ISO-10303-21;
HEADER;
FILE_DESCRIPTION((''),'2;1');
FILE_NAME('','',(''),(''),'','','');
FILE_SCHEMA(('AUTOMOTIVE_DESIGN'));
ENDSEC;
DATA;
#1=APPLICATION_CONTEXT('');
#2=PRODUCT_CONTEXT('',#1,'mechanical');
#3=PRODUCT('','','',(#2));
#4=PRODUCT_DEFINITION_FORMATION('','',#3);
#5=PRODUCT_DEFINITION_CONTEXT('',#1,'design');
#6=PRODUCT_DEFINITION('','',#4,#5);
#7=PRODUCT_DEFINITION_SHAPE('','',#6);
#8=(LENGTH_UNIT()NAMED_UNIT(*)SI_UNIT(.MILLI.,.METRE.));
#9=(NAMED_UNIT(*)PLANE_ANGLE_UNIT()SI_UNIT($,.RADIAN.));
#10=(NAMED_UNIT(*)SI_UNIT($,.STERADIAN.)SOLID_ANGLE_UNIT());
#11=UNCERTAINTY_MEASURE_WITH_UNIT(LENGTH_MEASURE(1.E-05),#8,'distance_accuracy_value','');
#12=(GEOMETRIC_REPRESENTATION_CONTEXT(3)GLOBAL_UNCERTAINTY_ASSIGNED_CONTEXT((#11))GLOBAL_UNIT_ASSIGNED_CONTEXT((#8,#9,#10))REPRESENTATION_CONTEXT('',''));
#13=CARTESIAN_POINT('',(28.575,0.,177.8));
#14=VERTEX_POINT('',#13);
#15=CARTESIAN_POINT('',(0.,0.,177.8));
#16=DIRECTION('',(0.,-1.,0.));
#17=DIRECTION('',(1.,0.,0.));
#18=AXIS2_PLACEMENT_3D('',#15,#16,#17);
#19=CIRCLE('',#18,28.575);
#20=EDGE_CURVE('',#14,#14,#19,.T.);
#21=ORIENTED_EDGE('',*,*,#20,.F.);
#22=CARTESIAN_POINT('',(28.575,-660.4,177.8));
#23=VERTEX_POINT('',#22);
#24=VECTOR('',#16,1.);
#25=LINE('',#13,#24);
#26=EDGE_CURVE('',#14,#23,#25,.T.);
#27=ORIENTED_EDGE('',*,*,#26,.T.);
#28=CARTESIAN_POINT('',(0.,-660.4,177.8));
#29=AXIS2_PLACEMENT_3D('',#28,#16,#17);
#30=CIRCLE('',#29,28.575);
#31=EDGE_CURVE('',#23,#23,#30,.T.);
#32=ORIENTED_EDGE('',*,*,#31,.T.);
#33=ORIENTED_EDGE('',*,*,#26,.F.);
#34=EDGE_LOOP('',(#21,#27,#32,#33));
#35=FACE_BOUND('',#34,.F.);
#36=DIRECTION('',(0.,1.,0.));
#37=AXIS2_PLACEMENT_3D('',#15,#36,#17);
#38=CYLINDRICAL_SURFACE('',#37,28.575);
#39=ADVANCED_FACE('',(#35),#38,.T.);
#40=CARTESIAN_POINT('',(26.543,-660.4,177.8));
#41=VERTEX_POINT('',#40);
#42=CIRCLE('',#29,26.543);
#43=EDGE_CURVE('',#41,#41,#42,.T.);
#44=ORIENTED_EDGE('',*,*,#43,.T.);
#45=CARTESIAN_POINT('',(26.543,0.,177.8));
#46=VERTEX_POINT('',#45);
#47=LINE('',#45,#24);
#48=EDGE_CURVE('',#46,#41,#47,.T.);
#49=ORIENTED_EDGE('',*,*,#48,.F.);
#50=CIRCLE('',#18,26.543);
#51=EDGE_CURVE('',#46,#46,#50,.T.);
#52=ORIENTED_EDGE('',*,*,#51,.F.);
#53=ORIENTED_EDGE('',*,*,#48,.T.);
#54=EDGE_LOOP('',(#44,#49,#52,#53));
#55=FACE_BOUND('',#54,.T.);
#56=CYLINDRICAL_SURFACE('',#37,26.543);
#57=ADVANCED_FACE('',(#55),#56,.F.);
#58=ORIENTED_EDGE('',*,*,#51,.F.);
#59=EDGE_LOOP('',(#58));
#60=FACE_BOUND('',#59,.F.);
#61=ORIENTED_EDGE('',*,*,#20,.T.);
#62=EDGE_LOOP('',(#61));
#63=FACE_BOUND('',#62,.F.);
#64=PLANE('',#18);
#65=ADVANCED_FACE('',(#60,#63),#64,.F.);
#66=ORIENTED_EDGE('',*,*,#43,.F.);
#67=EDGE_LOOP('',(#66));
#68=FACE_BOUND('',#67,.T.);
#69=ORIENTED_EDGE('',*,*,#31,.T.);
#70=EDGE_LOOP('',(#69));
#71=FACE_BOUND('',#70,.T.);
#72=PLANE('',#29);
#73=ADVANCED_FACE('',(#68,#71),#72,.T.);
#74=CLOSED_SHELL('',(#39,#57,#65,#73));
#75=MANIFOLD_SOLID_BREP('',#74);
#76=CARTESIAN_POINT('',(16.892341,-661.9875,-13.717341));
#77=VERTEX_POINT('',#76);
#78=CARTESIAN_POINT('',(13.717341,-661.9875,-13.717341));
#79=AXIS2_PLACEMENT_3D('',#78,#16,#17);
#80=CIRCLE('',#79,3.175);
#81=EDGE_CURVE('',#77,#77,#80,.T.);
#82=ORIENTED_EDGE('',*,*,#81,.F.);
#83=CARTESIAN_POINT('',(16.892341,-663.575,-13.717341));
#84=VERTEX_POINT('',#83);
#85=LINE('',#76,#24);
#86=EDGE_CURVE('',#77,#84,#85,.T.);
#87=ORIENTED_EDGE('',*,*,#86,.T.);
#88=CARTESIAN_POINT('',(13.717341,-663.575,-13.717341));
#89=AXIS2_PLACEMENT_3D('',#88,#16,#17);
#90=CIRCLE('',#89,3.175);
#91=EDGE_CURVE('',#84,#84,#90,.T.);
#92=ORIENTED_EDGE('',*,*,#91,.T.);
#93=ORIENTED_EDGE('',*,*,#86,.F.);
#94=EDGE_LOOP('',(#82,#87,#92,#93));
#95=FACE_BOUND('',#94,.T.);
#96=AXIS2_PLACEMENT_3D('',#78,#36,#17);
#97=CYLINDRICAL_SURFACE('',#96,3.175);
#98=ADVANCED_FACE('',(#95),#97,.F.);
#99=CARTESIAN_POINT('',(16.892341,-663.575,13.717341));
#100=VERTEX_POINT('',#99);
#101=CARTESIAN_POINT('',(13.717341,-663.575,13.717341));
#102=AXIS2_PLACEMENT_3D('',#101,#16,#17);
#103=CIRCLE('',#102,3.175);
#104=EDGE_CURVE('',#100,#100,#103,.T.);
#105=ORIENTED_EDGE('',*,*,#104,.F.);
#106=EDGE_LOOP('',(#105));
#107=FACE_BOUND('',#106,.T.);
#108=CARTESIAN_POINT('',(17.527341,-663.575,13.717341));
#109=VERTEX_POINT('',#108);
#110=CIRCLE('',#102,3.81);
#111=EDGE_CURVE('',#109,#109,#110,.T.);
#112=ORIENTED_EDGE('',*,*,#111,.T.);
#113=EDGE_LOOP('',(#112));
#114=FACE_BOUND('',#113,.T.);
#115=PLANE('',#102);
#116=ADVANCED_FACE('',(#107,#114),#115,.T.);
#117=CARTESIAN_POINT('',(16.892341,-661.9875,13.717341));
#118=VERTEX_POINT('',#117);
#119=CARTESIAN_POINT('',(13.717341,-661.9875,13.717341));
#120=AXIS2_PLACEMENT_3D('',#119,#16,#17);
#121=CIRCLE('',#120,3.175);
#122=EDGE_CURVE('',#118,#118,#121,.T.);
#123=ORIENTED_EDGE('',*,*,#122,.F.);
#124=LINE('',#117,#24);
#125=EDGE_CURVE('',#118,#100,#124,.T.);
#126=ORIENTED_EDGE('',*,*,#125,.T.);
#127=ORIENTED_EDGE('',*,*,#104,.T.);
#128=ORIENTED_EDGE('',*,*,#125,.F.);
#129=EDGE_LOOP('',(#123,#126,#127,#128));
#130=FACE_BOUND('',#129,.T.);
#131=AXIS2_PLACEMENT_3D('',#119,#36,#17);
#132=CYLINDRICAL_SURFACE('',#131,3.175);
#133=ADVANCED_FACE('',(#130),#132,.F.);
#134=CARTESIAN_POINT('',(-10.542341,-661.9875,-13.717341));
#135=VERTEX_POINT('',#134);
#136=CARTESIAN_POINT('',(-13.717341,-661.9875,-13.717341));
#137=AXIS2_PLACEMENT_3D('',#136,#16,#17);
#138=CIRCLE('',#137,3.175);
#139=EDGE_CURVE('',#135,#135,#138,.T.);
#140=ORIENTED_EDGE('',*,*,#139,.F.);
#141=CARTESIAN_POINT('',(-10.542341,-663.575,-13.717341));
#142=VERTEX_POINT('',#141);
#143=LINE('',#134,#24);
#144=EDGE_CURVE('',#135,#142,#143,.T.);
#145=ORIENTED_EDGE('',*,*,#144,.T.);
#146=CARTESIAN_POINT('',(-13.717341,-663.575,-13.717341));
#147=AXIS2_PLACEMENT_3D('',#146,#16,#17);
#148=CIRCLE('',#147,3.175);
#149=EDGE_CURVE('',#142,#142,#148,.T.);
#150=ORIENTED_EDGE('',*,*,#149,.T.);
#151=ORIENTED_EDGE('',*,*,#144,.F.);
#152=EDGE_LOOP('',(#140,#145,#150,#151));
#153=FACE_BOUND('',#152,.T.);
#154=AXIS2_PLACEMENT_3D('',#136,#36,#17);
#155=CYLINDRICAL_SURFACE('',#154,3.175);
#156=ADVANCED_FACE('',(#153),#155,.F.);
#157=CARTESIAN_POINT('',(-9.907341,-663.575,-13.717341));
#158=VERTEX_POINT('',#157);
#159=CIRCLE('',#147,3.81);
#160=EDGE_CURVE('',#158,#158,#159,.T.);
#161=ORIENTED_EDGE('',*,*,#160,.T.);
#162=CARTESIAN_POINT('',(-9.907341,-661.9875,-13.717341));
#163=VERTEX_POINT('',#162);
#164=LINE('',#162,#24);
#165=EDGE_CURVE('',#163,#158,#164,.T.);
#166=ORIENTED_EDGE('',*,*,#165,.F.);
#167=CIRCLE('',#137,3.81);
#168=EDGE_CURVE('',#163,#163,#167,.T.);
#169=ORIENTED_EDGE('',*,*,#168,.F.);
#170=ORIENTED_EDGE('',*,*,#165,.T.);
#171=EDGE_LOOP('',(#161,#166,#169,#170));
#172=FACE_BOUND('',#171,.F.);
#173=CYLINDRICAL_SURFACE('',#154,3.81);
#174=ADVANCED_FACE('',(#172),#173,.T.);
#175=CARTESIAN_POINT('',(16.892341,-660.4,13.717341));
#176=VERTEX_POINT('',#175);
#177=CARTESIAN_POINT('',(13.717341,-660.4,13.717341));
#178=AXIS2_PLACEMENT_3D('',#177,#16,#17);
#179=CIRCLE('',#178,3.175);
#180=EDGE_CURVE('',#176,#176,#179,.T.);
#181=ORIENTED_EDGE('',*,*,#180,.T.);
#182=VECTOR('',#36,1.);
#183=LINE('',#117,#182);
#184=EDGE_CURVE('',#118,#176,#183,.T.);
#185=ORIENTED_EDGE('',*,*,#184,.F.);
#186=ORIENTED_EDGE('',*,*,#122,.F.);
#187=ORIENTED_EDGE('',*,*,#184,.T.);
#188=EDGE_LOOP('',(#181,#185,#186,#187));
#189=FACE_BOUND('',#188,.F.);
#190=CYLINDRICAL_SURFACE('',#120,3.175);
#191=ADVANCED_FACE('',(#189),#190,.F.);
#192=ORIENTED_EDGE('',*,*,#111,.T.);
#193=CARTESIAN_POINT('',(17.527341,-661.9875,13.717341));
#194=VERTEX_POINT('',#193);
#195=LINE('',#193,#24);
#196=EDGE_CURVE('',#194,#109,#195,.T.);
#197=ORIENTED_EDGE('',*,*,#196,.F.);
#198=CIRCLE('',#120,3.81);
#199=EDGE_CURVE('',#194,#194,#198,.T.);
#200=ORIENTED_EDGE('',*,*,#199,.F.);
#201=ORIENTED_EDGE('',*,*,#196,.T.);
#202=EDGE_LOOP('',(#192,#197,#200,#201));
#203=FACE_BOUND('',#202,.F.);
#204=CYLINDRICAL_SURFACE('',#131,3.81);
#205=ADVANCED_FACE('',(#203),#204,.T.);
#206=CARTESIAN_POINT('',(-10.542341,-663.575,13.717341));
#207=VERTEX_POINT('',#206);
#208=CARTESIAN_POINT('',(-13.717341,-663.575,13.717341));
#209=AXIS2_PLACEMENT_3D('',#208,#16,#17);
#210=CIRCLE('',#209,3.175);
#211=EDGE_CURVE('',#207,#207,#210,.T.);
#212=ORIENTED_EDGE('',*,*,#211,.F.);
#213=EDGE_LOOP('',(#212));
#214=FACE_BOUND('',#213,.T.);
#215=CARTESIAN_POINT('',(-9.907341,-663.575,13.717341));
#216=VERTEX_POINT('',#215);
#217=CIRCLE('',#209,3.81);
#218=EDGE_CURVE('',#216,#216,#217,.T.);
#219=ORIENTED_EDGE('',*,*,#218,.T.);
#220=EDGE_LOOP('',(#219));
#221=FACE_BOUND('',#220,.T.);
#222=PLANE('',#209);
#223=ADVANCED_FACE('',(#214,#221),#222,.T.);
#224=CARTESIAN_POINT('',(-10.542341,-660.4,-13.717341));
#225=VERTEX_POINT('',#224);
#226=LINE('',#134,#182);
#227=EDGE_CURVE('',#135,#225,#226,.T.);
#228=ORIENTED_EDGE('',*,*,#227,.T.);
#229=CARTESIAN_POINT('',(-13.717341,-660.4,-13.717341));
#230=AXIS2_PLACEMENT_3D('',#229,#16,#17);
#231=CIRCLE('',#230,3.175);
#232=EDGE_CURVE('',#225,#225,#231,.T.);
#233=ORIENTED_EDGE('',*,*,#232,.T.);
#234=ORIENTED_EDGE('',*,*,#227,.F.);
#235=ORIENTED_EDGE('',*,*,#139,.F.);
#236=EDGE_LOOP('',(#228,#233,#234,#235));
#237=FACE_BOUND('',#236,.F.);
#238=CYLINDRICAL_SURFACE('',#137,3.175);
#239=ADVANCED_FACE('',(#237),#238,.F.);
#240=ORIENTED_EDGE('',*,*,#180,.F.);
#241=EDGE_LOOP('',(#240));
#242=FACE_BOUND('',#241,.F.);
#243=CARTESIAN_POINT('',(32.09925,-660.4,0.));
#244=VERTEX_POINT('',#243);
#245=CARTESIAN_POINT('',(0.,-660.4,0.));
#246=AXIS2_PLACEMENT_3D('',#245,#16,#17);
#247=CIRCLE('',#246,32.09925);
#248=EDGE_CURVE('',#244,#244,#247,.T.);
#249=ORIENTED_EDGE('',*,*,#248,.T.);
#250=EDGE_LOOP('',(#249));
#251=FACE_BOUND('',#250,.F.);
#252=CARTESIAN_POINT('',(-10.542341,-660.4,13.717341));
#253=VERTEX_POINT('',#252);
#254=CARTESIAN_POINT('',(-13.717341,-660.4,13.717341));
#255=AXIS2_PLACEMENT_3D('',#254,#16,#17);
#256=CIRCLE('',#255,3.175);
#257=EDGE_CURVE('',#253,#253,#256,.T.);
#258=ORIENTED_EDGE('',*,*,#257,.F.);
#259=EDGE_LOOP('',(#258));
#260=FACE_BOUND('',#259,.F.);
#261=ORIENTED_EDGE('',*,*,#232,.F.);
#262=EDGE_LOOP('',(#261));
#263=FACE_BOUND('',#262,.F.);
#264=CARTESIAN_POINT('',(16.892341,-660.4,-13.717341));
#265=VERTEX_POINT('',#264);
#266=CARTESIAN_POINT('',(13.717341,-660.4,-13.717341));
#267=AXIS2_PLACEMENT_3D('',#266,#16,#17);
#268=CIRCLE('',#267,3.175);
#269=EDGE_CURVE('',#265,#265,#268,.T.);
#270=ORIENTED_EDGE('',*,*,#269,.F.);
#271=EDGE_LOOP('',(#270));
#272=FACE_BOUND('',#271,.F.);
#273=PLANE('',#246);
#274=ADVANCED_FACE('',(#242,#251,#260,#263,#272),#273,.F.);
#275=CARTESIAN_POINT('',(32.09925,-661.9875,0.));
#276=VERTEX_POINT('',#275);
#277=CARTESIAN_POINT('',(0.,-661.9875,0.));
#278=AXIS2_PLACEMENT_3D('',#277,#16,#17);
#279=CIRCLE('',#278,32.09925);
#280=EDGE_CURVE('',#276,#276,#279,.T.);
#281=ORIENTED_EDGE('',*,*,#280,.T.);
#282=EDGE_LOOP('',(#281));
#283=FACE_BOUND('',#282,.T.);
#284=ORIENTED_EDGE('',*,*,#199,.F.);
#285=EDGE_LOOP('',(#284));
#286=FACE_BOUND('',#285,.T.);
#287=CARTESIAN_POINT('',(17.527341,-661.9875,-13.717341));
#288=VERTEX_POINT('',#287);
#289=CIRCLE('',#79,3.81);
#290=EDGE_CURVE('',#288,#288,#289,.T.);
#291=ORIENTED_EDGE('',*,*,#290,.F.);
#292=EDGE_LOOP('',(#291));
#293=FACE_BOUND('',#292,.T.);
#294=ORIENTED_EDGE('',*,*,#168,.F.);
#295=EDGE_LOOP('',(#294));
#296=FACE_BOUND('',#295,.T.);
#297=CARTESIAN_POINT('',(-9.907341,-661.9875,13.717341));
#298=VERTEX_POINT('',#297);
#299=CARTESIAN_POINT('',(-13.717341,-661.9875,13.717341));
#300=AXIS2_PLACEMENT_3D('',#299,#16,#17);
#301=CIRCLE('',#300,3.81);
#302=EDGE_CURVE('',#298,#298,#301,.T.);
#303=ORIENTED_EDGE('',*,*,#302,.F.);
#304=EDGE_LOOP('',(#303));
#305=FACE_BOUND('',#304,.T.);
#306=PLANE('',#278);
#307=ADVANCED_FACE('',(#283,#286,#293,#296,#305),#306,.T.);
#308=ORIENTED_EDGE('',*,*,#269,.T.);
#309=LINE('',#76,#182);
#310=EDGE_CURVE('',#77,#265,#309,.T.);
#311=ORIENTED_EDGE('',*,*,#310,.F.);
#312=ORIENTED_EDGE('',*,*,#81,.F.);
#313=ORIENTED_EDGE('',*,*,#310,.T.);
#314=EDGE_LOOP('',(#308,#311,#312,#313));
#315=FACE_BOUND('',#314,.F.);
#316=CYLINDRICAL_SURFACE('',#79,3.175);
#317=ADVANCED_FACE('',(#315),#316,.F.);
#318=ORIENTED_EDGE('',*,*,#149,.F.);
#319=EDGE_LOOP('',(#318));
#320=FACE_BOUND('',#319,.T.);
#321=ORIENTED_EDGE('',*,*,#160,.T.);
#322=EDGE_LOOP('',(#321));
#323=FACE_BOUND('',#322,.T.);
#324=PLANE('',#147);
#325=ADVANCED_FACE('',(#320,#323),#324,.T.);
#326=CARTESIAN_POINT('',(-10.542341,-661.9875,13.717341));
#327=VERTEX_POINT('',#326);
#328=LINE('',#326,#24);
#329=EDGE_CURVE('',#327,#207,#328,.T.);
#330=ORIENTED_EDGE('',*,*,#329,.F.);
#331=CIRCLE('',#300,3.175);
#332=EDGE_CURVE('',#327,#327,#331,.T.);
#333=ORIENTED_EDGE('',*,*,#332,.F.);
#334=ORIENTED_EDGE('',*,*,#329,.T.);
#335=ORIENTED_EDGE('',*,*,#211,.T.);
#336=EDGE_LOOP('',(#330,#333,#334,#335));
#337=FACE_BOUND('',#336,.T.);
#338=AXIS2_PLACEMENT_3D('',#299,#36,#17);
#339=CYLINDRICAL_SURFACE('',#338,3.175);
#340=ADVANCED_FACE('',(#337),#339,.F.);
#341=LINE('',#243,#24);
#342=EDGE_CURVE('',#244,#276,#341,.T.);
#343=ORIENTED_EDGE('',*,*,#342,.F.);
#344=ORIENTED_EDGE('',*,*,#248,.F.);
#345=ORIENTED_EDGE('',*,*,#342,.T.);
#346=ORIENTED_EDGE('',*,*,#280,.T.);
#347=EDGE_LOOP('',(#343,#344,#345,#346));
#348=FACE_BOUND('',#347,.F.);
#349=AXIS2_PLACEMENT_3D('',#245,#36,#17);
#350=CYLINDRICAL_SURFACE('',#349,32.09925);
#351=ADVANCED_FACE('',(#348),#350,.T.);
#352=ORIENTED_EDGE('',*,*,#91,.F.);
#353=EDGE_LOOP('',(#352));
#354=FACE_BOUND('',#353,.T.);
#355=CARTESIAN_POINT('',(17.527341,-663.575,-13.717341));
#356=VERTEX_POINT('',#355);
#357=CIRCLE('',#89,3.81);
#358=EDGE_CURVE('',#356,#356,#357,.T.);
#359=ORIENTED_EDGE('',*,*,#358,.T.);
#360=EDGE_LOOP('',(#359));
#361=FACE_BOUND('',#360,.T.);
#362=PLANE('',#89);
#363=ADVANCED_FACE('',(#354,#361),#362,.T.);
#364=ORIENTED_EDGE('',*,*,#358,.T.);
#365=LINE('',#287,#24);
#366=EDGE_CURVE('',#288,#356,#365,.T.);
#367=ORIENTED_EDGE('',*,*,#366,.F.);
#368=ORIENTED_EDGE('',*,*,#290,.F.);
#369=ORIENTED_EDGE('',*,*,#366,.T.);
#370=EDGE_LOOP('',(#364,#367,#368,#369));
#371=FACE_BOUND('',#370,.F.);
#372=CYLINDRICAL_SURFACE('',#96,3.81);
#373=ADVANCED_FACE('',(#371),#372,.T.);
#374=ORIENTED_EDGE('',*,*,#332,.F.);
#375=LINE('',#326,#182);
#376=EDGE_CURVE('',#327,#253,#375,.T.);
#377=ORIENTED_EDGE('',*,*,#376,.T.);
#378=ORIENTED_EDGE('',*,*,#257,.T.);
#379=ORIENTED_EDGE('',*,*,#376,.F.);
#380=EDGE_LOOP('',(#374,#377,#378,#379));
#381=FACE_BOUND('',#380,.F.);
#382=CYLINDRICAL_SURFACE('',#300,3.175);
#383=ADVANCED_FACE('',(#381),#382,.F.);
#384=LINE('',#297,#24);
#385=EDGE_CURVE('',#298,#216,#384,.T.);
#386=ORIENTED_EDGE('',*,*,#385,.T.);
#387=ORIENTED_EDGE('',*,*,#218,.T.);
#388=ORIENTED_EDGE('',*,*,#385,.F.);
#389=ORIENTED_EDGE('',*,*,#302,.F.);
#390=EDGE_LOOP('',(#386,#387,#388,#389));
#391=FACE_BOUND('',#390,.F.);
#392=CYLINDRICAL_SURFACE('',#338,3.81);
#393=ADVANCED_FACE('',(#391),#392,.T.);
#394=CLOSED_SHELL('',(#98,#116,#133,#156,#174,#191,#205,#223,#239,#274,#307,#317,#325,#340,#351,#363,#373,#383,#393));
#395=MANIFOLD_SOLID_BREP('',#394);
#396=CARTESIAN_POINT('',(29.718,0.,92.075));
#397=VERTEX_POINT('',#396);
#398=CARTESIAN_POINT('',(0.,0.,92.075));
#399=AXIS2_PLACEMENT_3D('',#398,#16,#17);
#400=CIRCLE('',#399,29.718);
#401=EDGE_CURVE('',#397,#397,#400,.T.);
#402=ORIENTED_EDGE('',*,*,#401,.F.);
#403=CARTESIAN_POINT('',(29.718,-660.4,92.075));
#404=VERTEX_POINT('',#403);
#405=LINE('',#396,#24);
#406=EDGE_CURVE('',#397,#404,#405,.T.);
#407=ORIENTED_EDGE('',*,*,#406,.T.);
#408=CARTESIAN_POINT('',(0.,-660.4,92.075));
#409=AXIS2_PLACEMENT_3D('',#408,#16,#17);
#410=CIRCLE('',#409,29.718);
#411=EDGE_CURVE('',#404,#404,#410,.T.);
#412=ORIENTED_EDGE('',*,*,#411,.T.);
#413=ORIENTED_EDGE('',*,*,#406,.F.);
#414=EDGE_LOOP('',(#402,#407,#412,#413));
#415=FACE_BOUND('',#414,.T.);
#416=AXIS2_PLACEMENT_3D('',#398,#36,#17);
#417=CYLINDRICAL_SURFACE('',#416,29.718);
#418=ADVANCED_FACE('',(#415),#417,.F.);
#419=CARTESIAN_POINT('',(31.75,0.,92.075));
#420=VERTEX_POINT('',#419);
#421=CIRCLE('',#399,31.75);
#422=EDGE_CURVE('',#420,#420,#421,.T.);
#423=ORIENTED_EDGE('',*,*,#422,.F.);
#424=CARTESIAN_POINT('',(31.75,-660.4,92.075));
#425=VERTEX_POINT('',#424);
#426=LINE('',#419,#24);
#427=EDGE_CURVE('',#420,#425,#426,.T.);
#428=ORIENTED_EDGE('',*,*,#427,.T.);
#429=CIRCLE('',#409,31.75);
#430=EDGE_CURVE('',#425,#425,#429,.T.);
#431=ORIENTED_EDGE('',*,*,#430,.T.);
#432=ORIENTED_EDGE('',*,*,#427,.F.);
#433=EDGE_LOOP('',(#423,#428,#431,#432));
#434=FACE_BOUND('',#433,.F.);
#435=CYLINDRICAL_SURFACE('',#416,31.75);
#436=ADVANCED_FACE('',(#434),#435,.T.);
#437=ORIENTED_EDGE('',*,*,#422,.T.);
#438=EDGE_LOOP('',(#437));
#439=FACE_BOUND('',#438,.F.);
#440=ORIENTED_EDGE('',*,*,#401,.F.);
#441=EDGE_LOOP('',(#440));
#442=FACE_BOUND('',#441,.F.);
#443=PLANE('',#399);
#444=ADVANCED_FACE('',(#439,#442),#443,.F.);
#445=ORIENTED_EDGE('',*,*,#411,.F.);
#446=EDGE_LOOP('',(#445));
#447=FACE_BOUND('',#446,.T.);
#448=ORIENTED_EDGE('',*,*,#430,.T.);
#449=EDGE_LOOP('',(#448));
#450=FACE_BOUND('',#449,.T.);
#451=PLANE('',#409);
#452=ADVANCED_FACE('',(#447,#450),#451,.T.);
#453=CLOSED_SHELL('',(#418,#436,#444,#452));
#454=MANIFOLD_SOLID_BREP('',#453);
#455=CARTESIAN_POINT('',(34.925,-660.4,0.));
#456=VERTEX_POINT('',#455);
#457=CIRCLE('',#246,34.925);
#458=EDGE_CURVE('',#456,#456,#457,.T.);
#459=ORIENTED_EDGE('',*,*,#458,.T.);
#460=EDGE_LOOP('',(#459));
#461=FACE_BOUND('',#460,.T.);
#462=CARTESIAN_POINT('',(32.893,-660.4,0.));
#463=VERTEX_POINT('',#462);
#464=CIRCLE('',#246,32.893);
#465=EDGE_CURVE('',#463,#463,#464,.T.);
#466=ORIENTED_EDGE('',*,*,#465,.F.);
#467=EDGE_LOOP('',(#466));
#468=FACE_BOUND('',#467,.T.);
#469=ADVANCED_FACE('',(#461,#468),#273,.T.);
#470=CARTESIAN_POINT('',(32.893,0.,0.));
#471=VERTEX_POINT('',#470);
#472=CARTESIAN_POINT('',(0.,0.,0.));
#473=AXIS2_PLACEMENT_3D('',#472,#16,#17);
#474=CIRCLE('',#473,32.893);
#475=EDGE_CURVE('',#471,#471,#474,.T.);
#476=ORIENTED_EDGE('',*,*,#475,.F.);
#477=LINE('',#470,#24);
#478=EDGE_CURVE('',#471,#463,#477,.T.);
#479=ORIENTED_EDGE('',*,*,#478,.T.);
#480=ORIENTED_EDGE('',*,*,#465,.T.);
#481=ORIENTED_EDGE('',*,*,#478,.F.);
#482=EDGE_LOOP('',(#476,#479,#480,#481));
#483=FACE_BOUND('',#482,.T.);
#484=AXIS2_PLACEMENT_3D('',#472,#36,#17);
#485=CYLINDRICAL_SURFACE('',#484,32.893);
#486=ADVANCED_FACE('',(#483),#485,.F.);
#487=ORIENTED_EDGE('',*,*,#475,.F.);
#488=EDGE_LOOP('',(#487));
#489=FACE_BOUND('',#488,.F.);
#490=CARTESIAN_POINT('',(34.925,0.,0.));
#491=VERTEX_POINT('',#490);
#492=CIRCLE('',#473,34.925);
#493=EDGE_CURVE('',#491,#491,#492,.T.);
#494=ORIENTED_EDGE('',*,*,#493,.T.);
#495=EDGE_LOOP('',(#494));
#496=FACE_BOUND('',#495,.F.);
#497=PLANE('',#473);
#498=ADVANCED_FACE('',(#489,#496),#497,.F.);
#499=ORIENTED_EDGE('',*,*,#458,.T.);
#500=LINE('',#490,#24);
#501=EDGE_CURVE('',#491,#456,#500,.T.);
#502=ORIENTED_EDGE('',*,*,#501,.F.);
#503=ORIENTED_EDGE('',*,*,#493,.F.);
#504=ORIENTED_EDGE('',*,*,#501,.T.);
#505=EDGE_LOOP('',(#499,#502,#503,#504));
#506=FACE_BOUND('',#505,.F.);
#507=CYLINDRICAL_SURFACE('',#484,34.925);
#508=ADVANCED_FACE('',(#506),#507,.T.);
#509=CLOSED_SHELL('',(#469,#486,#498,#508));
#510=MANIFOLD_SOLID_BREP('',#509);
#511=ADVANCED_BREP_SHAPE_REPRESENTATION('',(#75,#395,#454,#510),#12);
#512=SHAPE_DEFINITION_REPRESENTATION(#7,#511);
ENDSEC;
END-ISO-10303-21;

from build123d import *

# Parameters (mm, degrees)
F0_R     = 28.575
F0_R_2   = 26.543
F0_R_3   = 31.75
F0_R_4   = 29.718
F0_R_5   = 34.925
F0_R_6   = 32.893
F1_DEPTH = 660.4
F2_R     = 32.09925
F3_DEPTH = 1.5875
F4_R     = 3.81
F4_R_2   = 3.175
F5_DEPTH = 1.5875
F6_DEPTH = 661.9885


with BuildPart() as f1:
    # F0 (on Front) → F1 (new body)
    with BuildSketch(Plane.XZ):
        with Locations((0, 177.8)):
            Circle(F0_R)
        with Locations((0, 177.8)):
            Circle(F0_R_2, mode=Mode.SUBTRACT)
        with Locations((0, 92.075)):
            Circle(F0_R_3)
        with Locations((0, 92.075)):
            Circle(F0_R_4, mode=Mode.SUBTRACT)
        Circle(F0_R_5)
        Circle(F0_R_6, mode=Mode.SUBTRACT)
    extrude(amount=F1_DEPTH)


with BuildPart() as f3:
    # F2 (on face) → F3 (new body)
    with BuildSketch(Plane.XZ.offset(660.4)):
        Circle(F2_R)
    extrude(amount=F3_DEPTH)

    # F4 (on face) → F5 (join)
    with BuildSketch(Plane.XZ.offset(661.9875)):
        with Locations((-13.717341, 13.717341)):
            Circle(F4_R)
        with Locations((-13.717341, 13.717341)):
            Circle(F4_R_2, mode=Mode.SUBTRACT)
        with Locations((13.717341, 13.717341)):
            Circle(F4_R)
        with Locations((13.717341, 13.717341)):
            Circle(F4_R_2, mode=Mode.SUBTRACT)
        with Locations((13.717341, -13.717341)):
            Circle(F4_R)
        with Locations((13.717341, -13.717341)):
            Circle(F4_R_2, mode=Mode.SUBTRACT)
        with Locations((-13.717341, -13.717341)):
            Circle(F4_R)
        with Locations((-13.717341, -13.717341)):
            Circle(F4_R_2, mode=Mode.SUBTRACT)
    extrude(amount=F5_DEPTH)

    # F4 (on face) → F6 (cut, through all)
    with BuildSketch(Plane.XZ.offset(661.9875)):
        with Locations((-13.717341, 13.717341)):
            Circle(F4_R_2)
        with Locations((13.717341, 13.717341)):
            Circle(F4_R_2)
        with Locations((13.717341, -13.717341)):
            Circle(F4_R_2)
        with Locations((-13.717341, -13.717341)):
            Circle(F4_R_2)
    extrude(amount=-F6_DEPTH, mode=Mode.SUBTRACT)


solid = Compound([f1.part, f3.part])
